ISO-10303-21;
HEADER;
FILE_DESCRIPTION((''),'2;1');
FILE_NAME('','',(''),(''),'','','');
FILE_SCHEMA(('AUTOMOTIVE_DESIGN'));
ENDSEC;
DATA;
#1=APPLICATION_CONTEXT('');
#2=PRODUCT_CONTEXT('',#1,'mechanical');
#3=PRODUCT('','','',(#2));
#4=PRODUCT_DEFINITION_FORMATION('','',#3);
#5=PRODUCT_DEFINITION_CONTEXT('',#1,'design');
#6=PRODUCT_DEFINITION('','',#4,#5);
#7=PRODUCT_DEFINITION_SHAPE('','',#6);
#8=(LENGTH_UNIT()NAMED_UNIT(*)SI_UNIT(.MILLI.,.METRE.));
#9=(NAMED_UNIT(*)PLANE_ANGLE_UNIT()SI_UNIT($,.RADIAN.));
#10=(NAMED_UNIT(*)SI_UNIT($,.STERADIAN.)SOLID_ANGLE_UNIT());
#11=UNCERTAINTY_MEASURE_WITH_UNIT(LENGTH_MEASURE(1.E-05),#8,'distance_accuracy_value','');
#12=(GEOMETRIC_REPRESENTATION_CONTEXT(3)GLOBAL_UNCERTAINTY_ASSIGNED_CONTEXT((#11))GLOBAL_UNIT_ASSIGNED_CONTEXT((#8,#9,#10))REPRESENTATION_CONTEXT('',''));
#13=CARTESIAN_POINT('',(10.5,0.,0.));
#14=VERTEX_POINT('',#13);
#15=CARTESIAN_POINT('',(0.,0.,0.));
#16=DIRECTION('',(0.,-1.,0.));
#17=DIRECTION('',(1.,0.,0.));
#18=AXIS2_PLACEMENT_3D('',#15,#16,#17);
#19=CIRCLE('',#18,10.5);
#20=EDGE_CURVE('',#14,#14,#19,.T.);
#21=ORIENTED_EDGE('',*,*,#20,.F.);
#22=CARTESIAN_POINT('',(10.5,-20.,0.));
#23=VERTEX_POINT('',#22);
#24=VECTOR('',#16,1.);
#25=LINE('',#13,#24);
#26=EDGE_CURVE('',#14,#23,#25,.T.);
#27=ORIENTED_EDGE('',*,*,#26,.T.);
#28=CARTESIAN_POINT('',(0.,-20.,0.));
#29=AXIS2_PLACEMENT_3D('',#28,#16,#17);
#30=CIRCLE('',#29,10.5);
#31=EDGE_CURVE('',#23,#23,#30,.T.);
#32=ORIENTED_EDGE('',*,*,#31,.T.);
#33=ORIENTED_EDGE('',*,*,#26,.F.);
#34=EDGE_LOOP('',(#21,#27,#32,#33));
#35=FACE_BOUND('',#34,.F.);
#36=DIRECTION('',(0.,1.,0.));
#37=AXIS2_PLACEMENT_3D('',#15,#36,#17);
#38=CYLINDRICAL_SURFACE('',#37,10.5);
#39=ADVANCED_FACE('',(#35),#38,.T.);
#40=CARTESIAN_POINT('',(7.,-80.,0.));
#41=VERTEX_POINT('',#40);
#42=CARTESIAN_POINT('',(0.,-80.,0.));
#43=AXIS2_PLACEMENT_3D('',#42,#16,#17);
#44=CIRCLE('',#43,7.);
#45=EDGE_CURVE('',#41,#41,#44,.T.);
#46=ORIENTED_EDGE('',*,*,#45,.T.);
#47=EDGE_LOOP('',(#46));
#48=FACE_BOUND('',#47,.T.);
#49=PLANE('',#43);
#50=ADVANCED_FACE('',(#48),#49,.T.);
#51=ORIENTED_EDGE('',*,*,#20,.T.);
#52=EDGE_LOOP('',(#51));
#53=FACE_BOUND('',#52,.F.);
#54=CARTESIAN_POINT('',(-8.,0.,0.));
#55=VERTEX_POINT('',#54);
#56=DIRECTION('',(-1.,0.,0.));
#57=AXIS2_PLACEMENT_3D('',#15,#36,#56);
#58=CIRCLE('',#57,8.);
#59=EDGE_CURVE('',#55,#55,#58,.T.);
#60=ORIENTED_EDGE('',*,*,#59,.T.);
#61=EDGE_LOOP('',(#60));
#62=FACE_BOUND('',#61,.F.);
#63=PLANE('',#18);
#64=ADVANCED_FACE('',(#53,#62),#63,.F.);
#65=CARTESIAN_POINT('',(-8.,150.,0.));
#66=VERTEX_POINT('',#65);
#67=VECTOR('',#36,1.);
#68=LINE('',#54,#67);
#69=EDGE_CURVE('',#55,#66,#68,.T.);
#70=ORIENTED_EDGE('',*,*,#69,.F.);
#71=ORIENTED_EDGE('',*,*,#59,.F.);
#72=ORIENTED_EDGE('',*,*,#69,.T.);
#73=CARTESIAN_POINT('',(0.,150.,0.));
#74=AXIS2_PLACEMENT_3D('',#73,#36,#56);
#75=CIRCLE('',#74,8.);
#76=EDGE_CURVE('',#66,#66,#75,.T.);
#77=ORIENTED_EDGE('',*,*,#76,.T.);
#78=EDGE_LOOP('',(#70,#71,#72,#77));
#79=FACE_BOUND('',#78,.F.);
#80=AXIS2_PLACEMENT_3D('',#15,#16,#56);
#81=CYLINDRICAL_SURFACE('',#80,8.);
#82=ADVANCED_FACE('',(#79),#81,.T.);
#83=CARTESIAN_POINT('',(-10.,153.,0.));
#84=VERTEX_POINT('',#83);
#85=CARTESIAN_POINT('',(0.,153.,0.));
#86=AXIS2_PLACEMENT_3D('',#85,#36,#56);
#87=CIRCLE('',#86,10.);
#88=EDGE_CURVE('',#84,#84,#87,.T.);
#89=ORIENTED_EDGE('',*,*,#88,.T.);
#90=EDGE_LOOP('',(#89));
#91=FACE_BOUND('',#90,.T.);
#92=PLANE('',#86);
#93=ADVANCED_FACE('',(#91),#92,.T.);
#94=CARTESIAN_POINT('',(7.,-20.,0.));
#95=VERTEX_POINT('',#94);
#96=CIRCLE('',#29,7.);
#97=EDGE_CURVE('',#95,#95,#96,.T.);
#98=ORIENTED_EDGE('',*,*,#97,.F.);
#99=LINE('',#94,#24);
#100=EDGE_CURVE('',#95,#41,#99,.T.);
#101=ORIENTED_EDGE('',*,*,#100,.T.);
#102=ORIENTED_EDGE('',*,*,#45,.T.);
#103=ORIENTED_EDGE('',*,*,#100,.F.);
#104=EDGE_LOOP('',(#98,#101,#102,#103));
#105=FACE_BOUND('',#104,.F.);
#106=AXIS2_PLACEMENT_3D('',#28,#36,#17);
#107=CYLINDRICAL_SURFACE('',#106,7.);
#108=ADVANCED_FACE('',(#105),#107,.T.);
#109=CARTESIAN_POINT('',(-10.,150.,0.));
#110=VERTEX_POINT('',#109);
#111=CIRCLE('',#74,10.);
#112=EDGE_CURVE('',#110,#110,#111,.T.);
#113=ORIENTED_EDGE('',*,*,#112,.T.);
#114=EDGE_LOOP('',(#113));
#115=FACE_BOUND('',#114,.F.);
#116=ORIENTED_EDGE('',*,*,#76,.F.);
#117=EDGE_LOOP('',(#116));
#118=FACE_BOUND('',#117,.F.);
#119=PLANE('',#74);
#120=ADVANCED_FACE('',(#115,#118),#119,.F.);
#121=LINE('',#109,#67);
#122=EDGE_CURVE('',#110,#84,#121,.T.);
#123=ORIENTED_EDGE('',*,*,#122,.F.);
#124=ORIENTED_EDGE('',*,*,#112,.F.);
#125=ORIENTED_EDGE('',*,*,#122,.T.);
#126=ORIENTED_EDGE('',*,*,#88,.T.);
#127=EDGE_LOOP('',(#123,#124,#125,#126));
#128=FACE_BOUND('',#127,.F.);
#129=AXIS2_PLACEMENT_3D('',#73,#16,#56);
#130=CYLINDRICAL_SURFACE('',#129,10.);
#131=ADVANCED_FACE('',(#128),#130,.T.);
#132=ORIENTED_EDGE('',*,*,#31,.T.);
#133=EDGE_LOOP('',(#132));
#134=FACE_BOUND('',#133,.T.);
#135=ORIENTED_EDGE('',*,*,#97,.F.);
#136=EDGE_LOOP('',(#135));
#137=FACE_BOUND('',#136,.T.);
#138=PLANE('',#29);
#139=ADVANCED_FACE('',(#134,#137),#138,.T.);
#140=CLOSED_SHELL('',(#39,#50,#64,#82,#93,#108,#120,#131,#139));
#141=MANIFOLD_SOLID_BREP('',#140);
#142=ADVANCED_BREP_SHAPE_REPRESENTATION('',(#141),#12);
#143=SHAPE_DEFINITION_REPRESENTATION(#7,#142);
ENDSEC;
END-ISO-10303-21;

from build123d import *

# Parameters (mm, degrees)
F0_R     = 10.5
F1_DEPTH = 20
F2_R     = 7
F3_DEPTH = 60
F4_R     = 8
F5_R     = 8
F6_DEPTH = 150
F7_R     = 10
F8_DEPTH = 3


with BuildPart() as f1:
    # F0 (on Front) → F1 (new body)
    with BuildSketch(Plane.XZ):
        Circle(F0_R)
    extrude(amount=F1_DEPTH)

    # F2 (on face) → F3 (join)
    with BuildSketch(Plane.XZ.offset(20)):
        Circle(F2_R)
    extrude(amount=F3_DEPTH)

    # F4 (on face) + F5 (on face) → F6 (join)
    with BuildSketch(Plane(origin=(0, 0, 0), x_dir=(-1, 0, 0), z_dir=(0, 1, 0))):
        Circle(F4_R)
    with BuildSketch(Plane(origin=(0, 0, 0), x_dir=(-1, 0, 0), z_dir=(0, 1, 0))):
        Circle(F5_R)
    extrude(amount=F6_DEPTH)

    # F7 (on face) → F8 (join)
    with BuildSketch(Plane(origin=(0, 150, 0), x_dir=(-1, 0, 0), z_dir=(0, 1, 0))):
        Circle(F7_R)
    extrude(amount=F8_DEPTH)


solid = f1.part
